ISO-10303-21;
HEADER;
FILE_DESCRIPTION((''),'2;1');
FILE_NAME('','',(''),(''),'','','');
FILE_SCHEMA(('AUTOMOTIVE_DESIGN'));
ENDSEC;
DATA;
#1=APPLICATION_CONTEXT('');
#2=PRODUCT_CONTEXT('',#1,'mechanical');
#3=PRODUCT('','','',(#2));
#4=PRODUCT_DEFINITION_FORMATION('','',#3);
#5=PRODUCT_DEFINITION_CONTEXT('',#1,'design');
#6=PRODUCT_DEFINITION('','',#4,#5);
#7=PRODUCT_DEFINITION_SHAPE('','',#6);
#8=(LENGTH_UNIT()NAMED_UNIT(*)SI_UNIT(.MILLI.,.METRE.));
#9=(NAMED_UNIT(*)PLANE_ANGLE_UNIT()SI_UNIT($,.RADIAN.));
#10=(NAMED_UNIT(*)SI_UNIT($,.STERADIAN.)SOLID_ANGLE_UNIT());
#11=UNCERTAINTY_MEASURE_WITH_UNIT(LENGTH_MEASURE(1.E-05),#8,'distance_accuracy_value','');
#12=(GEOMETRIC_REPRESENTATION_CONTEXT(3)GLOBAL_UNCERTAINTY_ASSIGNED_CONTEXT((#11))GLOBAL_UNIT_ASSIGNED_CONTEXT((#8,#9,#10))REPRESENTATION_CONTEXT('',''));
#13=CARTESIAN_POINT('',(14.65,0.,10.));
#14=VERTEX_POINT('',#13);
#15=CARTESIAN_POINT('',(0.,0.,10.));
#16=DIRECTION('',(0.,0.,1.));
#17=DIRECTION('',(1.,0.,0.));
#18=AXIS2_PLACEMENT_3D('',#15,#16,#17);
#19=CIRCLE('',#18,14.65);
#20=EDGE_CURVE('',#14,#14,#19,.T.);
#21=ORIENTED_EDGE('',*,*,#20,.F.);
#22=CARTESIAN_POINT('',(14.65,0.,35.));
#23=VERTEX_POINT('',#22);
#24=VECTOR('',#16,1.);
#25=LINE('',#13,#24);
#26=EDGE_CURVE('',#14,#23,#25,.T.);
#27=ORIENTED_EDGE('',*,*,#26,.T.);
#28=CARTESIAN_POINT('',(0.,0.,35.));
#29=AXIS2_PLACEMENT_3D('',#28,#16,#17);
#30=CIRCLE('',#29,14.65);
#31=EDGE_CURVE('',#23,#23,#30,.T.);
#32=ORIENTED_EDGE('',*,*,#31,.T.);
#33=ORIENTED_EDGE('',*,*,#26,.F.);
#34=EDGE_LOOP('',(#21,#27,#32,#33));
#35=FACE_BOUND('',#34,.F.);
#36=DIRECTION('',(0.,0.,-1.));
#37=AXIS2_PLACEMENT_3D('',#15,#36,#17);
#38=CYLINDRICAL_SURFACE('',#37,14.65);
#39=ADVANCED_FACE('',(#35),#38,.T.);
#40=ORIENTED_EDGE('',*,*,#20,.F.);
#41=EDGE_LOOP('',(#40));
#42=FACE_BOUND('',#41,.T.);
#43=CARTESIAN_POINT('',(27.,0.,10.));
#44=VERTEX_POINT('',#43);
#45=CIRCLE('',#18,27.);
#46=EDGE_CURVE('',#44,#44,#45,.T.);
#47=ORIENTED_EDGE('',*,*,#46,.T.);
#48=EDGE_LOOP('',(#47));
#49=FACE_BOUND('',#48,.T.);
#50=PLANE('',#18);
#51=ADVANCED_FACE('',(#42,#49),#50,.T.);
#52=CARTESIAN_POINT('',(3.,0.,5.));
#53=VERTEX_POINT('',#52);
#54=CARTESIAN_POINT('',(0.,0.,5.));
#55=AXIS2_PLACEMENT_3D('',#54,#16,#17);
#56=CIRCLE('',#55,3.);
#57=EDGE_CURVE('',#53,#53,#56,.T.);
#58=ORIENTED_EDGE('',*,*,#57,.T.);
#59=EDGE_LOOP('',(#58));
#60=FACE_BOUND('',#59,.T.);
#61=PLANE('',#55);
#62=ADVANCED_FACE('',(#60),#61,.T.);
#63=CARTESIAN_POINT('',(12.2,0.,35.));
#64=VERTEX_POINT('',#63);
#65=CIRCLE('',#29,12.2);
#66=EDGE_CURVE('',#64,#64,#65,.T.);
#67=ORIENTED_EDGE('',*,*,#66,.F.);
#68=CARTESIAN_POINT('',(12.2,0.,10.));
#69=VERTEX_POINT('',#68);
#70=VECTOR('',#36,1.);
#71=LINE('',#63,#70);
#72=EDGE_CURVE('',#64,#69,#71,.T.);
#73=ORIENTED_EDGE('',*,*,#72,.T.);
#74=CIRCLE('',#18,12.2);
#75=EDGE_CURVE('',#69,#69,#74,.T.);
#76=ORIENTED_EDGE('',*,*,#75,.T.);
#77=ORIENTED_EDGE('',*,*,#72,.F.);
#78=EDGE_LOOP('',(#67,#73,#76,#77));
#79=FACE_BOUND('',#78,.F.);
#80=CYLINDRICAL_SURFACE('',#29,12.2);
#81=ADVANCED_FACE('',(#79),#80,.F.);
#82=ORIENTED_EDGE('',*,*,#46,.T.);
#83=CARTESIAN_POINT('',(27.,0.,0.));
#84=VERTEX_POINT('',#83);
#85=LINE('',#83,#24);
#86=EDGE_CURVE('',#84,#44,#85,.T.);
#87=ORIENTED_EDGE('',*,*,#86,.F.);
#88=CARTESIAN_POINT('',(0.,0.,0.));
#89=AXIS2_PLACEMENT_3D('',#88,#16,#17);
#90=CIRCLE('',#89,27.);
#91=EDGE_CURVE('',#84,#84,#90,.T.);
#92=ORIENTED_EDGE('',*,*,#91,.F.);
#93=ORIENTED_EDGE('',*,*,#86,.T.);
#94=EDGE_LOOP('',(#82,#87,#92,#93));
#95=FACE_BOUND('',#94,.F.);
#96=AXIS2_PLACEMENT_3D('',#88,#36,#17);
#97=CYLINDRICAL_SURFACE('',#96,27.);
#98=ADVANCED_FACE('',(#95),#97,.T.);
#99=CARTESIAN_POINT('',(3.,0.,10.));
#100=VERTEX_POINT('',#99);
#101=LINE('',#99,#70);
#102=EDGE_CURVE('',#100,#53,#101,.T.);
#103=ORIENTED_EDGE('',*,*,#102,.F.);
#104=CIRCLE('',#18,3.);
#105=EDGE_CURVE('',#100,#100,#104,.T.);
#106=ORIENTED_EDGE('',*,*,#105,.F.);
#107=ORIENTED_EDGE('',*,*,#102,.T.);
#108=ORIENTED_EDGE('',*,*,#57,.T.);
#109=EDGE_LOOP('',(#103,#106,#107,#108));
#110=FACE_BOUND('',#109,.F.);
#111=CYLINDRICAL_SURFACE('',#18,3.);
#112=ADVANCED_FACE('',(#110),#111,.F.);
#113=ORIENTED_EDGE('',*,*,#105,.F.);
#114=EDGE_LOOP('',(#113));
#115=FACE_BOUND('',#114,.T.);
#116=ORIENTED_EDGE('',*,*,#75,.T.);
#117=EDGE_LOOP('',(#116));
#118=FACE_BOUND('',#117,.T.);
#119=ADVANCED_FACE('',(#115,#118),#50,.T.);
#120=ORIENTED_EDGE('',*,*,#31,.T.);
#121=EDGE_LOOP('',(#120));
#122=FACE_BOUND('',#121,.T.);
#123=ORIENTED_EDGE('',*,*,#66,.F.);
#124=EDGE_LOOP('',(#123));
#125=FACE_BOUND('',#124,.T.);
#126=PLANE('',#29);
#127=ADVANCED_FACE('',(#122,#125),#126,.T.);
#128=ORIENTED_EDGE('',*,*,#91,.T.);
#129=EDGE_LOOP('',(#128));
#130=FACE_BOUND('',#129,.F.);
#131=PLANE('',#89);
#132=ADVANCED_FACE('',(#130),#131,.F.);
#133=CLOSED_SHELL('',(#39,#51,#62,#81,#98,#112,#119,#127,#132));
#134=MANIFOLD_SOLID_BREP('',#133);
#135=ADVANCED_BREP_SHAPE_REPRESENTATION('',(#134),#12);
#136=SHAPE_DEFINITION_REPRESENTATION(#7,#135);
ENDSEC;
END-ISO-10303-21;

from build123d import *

# Parameters (mm, degrees)
F0_R     = 27
F1_DEPTH = 10
F2_R     = 14.65
F3_DEPTH = 25
F4_R     = 12.2
F5_DEPTH = 25
F6_R     = 3
F7_DEPTH = 5


with BuildPart() as f1:
    # F0 (on Top) → F1 (new body)
    with BuildSketch(Plane.XY):
        Circle(F0_R)
    extrude(amount=F1_DEPTH)

    # F2 (on face) → F3 (join)
    with BuildSketch(Plane.XY.offset(10)):
        Circle(F2_R)
    extrude(amount=F3_DEPTH)

    # F4 (on face) → F5 (cut)
    with BuildSketch(Plane.XY.offset(35)):
        Circle(F4_R)
    extrude(amount=-F5_DEPTH, mode=Mode.SUBTRACT)

    # F6 (on face) → F7 (cut)
    with BuildSketch(Plane.XY.offset(10)):
        Circle(F6_R)
    extrude(amount=-F7_DEPTH, mode=Mode.SUBTRACT)


solid = f1.part
